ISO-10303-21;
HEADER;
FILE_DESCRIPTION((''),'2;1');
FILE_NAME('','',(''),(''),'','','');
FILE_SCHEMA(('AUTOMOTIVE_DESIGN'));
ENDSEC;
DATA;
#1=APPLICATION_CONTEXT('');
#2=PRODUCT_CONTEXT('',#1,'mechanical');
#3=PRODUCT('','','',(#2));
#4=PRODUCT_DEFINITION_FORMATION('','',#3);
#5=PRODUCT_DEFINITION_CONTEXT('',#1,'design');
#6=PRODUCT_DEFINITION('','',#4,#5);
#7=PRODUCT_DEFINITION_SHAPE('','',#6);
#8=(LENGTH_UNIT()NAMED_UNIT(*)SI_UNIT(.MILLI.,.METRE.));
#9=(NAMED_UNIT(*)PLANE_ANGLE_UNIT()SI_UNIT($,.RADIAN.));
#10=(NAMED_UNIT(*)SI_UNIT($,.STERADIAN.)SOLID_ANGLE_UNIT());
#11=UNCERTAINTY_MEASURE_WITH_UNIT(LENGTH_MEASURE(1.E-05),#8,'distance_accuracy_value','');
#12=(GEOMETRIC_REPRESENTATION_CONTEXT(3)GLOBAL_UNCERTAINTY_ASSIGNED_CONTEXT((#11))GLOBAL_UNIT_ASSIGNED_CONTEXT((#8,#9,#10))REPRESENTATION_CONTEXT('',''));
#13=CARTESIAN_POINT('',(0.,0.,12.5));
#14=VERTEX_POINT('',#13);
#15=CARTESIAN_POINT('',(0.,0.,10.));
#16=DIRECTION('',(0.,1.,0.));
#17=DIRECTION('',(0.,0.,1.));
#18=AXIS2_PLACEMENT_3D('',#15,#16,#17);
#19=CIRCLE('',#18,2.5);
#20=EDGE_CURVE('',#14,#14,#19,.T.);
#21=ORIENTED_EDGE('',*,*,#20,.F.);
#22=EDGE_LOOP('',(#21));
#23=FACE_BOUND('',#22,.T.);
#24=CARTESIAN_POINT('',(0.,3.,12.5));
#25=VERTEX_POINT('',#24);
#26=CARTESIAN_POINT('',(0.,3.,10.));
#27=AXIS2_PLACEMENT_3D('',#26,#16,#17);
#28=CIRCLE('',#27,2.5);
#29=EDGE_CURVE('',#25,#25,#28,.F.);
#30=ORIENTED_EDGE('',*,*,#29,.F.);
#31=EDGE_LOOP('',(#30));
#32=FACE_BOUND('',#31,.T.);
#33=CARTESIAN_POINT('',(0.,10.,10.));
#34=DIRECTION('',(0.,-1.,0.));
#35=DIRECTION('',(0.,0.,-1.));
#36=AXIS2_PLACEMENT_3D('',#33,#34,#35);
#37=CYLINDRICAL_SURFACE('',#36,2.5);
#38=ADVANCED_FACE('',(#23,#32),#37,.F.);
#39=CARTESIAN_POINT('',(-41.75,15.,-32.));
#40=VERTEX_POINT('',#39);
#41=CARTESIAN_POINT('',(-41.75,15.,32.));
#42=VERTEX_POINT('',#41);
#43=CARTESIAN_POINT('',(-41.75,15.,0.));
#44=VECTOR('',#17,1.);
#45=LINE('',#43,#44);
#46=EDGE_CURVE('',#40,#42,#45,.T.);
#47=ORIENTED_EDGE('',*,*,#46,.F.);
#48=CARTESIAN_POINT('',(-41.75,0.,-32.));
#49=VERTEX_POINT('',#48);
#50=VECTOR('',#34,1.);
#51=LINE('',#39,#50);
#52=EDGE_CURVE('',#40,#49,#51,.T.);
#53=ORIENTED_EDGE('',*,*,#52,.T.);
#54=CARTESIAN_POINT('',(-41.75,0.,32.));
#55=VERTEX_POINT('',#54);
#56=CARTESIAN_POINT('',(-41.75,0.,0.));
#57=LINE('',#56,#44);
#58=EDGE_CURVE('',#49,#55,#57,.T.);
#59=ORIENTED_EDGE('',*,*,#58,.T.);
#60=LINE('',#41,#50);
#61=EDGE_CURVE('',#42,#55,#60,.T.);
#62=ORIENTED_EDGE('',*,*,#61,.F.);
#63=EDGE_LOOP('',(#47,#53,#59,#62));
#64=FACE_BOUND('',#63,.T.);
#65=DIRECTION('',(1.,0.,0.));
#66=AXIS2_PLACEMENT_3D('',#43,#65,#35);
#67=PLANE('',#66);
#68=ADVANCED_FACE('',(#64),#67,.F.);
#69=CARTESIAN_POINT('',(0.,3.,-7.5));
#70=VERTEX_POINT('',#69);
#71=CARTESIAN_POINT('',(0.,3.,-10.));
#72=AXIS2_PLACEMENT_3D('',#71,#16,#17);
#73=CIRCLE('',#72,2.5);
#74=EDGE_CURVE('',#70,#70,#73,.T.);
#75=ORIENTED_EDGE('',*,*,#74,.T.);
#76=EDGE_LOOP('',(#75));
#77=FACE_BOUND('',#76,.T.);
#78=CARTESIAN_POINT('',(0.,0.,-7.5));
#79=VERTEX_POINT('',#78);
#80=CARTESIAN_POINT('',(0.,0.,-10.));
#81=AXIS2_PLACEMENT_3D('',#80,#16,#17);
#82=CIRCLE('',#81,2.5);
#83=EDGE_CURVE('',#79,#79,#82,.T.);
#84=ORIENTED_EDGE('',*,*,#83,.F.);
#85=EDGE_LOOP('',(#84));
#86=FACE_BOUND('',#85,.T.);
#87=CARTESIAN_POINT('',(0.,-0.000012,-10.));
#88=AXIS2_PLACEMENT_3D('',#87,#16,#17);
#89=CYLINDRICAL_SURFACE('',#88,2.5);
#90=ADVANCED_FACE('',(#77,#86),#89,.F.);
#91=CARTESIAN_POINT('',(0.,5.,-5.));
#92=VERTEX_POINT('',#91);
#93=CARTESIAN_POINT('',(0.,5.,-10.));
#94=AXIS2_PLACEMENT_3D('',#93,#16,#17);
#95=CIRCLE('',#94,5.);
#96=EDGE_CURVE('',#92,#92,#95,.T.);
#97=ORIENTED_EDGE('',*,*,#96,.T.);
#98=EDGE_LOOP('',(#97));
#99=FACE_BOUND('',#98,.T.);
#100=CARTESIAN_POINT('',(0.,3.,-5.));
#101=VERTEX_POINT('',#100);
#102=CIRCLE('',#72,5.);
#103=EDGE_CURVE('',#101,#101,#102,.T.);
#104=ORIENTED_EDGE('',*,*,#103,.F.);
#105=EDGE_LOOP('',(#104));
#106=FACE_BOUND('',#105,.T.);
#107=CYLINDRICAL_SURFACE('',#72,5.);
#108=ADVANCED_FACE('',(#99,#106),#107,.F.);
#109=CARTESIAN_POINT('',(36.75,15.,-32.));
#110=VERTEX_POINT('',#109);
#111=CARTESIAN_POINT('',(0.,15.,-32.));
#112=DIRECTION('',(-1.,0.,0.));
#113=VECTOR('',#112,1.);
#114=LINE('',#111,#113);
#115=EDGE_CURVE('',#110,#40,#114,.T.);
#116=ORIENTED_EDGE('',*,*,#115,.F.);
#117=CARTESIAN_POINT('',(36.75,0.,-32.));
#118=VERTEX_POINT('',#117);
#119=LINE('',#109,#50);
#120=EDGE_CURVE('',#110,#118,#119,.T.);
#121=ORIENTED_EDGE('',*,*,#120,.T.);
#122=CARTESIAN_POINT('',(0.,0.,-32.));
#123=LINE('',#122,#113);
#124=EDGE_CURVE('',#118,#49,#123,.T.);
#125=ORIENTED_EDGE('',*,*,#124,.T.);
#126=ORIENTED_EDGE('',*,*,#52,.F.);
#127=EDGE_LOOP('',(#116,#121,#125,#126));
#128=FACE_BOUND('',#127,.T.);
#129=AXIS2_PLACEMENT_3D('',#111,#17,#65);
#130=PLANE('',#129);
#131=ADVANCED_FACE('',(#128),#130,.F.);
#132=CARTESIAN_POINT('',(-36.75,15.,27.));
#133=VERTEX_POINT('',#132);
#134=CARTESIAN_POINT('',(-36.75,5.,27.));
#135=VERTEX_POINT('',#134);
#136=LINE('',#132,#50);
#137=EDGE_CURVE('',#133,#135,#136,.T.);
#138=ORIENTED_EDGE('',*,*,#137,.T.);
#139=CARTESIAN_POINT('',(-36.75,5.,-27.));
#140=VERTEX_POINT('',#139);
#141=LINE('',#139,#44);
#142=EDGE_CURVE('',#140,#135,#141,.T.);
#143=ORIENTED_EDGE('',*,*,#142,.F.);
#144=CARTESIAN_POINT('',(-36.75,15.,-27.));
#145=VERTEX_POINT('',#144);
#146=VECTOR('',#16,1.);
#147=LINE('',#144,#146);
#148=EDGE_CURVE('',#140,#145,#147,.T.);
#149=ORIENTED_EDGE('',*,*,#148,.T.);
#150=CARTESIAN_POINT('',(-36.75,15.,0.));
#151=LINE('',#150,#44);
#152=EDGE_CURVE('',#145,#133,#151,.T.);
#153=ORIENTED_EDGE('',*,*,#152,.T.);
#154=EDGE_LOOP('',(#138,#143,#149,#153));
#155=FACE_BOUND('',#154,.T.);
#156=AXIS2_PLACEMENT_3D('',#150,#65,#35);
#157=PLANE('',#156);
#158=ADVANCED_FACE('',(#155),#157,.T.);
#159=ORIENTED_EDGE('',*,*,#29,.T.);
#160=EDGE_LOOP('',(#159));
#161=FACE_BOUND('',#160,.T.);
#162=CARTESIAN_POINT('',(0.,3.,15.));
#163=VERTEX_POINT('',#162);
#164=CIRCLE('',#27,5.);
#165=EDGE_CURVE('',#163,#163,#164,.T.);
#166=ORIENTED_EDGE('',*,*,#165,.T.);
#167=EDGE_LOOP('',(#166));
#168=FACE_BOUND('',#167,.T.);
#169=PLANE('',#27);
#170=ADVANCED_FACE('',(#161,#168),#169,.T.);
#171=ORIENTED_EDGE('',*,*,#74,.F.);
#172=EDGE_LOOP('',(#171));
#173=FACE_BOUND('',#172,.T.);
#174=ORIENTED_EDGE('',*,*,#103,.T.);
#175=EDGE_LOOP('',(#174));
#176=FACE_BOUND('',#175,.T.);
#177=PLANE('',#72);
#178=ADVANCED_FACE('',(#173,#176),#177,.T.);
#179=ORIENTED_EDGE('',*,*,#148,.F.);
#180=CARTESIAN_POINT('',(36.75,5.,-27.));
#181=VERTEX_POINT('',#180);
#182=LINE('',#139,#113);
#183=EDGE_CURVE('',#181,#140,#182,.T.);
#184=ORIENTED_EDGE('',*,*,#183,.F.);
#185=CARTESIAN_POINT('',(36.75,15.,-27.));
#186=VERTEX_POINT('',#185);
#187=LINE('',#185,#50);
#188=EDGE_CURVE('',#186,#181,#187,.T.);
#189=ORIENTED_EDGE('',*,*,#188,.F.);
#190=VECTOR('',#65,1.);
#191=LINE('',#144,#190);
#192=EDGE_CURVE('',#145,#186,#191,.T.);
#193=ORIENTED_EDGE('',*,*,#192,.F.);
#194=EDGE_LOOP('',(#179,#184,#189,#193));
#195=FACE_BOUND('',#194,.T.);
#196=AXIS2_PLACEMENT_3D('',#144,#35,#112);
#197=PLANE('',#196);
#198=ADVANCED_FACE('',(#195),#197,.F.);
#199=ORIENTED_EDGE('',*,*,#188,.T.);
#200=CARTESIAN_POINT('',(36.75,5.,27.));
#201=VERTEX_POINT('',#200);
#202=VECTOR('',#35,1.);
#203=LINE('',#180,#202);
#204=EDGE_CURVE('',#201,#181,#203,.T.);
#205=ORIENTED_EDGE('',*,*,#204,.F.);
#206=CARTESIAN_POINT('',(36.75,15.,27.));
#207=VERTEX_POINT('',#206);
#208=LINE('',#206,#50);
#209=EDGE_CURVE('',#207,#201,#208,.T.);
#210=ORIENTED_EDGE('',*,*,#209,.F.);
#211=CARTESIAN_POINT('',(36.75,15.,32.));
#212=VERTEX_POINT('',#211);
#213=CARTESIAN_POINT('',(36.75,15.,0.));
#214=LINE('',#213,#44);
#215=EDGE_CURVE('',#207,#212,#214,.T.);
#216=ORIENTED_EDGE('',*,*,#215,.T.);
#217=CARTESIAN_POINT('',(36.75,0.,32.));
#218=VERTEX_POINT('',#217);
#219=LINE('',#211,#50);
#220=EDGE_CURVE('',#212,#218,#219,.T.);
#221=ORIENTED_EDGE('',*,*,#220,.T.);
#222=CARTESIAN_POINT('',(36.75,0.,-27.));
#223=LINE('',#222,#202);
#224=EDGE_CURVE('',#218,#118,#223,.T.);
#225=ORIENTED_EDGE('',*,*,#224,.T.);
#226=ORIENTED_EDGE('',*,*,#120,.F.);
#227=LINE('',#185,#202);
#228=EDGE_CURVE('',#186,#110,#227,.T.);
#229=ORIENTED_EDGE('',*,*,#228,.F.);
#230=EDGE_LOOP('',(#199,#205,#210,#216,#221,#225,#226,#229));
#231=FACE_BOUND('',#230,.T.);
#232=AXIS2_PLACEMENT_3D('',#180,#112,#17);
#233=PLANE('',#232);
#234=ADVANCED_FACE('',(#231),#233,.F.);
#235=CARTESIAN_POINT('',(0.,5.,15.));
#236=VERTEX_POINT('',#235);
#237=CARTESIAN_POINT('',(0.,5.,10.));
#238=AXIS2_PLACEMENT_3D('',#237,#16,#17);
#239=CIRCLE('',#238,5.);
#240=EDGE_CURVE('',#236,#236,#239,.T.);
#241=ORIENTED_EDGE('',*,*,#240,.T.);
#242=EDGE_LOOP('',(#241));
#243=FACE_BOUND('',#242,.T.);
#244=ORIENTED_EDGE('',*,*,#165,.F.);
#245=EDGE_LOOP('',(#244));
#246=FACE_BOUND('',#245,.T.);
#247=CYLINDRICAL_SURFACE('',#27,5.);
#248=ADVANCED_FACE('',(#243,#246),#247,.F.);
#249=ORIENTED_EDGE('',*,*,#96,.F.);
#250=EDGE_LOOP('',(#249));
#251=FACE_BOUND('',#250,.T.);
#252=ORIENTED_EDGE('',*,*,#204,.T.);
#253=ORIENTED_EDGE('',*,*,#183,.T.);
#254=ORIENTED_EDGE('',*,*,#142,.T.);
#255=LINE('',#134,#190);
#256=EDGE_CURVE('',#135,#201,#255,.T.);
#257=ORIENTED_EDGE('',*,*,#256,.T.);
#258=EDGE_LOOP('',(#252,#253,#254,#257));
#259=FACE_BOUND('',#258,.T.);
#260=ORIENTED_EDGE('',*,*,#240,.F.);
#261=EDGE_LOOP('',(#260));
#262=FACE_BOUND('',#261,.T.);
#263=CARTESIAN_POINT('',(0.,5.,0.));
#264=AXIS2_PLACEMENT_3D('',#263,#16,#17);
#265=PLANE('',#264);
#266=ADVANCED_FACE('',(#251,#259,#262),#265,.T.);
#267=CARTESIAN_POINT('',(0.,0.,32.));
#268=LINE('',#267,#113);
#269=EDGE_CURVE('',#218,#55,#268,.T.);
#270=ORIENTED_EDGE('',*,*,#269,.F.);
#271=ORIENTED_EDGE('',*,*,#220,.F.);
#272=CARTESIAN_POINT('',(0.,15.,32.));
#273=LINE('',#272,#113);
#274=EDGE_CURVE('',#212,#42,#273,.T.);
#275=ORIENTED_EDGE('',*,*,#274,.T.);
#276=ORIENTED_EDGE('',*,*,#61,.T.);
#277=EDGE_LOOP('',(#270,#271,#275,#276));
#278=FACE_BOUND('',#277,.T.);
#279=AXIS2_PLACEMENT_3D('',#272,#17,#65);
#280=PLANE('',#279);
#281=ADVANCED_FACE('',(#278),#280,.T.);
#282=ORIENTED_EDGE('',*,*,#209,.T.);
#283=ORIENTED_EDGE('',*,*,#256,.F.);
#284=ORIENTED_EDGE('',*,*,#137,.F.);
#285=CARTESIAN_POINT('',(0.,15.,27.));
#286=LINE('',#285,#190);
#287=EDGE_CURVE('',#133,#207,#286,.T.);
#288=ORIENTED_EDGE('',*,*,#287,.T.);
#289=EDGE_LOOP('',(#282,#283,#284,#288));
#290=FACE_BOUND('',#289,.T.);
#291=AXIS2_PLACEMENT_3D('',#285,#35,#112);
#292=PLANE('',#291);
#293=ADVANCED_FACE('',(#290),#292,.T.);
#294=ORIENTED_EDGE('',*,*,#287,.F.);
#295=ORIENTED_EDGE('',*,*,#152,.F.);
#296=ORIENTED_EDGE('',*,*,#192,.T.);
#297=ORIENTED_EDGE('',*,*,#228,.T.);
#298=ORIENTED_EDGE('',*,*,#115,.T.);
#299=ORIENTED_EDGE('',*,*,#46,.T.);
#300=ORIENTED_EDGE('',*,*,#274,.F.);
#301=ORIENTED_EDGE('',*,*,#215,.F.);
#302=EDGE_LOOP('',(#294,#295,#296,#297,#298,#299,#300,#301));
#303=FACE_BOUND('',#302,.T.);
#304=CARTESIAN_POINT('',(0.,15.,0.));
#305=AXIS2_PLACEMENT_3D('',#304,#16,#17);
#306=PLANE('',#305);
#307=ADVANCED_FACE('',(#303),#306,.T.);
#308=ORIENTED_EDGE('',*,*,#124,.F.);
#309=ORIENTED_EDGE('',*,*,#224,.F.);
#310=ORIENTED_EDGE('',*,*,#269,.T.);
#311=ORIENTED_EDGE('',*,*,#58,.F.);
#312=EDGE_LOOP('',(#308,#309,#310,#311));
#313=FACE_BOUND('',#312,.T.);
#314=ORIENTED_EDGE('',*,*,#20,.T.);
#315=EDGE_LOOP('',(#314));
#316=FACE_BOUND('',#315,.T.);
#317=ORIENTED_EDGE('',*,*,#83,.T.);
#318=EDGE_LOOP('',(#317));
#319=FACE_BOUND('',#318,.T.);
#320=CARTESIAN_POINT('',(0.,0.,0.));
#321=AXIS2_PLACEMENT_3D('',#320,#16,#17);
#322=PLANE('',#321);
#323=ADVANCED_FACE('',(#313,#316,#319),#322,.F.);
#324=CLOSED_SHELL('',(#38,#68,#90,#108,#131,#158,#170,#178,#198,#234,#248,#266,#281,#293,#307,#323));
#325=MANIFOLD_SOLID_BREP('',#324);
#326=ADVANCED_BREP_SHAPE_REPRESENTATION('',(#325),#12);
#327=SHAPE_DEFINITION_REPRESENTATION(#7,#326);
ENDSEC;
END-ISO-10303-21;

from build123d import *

# Parameters (mm, degrees)
SKETCH3_W               = 73.5
SKETCH3_H               = 54
BOSS_EXTRUDE2_DEPTH     = 5
BOSS_EXTRUDE4_DEPTH     = 15
SKETCH6_R               = 5
SKETCH6_R_2             = 2.5
CUT_EXTRUDE4_DEPTH      = 2
SKETCH1_R               = 2.5
CUT_EXTRUDE5_DEPTH      = 10
CUT_EXTRUDE5_DEPTH_BACK = 1
SKETCH1_7_R             = 2.5
CUT_EXTRUDE6_DEPTH      = 10


with BuildPart() as part:
    # Sketch3 → Boss-Extrude2 (new body)
    with BuildSketch(Plane(origin=(0, 0, 0), x_dir=(1, 0, 0), z_dir=(0, 1, 0))):
        Rectangle(SKETCH3_W, SKETCH3_H)
    extrude(amount=BOSS_EXTRUDE2_DEPTH)

    # Sketch4 → Boss-Extrude4 (add)
    with BuildSketch(Plane(origin=(0, 0, 0), x_dir=(1, 0, 0), z_dir=(0, 1, 0))):
        Polygon((36.75, 32), (-41.75, 32), (-41.75, -32), (36.75, -32), (36.75, -27), (-36.75, -27), (-36.75, 27), (36.75, 27), align=None)
    extrude(amount=BOSS_EXTRUDE4_DEPTH)

    # Sketch6 → Cut-Extrude4 (cut)
    with BuildSketch(Plane(origin=(0, 5, 0), x_dir=(1, 0, 0), z_dir=(0, 1, 0))):
        with Locations((0, 10)):
            Circle(SKETCH6_R)
        with Locations((0, 10)):
            Circle(SKETCH6_R_2, mode=Mode.SUBTRACT)
        with Locations((0, -10)):
            Circle(SKETCH6_R)
        with Locations((0, -10)):
            Circle(SKETCH6_R_2, mode=Mode.SUBTRACT)
    extrude(amount=-CUT_EXTRUDE4_DEPTH, mode=Mode.SUBTRACT)

    # Sketch1 → Cut-Extrude5 (cut, two sides)
    with BuildSketch(Plane(origin=(0, 0, 0), x_dir=(1, 0, 0), z_dir=(0, 1, 0))) as cut_extrude5_sk:
        with Locations((0, 10)):
            Circle(SKETCH1_R)
    extrude(amount=CUT_EXTRUDE5_DEPTH, mode=Mode.SUBTRACT)
    extrude(cut_extrude5_sk.sketch, amount=-CUT_EXTRUDE5_DEPTH_BACK, mode=Mode.SUBTRACT)

    # Sketch1<7> → Cut-Extrude6 (cut)
    with BuildSketch(Plane(origin=(0, 0, 0), x_dir=(1, 0, 0), z_dir=(0, 1, 0))):
        with Locations((0, -10)):
            Circle(SKETCH1_7_R)
    extrude(amount=CUT_EXTRUDE6_DEPTH, mode=Mode.SUBTRACT)


solid = part.part
